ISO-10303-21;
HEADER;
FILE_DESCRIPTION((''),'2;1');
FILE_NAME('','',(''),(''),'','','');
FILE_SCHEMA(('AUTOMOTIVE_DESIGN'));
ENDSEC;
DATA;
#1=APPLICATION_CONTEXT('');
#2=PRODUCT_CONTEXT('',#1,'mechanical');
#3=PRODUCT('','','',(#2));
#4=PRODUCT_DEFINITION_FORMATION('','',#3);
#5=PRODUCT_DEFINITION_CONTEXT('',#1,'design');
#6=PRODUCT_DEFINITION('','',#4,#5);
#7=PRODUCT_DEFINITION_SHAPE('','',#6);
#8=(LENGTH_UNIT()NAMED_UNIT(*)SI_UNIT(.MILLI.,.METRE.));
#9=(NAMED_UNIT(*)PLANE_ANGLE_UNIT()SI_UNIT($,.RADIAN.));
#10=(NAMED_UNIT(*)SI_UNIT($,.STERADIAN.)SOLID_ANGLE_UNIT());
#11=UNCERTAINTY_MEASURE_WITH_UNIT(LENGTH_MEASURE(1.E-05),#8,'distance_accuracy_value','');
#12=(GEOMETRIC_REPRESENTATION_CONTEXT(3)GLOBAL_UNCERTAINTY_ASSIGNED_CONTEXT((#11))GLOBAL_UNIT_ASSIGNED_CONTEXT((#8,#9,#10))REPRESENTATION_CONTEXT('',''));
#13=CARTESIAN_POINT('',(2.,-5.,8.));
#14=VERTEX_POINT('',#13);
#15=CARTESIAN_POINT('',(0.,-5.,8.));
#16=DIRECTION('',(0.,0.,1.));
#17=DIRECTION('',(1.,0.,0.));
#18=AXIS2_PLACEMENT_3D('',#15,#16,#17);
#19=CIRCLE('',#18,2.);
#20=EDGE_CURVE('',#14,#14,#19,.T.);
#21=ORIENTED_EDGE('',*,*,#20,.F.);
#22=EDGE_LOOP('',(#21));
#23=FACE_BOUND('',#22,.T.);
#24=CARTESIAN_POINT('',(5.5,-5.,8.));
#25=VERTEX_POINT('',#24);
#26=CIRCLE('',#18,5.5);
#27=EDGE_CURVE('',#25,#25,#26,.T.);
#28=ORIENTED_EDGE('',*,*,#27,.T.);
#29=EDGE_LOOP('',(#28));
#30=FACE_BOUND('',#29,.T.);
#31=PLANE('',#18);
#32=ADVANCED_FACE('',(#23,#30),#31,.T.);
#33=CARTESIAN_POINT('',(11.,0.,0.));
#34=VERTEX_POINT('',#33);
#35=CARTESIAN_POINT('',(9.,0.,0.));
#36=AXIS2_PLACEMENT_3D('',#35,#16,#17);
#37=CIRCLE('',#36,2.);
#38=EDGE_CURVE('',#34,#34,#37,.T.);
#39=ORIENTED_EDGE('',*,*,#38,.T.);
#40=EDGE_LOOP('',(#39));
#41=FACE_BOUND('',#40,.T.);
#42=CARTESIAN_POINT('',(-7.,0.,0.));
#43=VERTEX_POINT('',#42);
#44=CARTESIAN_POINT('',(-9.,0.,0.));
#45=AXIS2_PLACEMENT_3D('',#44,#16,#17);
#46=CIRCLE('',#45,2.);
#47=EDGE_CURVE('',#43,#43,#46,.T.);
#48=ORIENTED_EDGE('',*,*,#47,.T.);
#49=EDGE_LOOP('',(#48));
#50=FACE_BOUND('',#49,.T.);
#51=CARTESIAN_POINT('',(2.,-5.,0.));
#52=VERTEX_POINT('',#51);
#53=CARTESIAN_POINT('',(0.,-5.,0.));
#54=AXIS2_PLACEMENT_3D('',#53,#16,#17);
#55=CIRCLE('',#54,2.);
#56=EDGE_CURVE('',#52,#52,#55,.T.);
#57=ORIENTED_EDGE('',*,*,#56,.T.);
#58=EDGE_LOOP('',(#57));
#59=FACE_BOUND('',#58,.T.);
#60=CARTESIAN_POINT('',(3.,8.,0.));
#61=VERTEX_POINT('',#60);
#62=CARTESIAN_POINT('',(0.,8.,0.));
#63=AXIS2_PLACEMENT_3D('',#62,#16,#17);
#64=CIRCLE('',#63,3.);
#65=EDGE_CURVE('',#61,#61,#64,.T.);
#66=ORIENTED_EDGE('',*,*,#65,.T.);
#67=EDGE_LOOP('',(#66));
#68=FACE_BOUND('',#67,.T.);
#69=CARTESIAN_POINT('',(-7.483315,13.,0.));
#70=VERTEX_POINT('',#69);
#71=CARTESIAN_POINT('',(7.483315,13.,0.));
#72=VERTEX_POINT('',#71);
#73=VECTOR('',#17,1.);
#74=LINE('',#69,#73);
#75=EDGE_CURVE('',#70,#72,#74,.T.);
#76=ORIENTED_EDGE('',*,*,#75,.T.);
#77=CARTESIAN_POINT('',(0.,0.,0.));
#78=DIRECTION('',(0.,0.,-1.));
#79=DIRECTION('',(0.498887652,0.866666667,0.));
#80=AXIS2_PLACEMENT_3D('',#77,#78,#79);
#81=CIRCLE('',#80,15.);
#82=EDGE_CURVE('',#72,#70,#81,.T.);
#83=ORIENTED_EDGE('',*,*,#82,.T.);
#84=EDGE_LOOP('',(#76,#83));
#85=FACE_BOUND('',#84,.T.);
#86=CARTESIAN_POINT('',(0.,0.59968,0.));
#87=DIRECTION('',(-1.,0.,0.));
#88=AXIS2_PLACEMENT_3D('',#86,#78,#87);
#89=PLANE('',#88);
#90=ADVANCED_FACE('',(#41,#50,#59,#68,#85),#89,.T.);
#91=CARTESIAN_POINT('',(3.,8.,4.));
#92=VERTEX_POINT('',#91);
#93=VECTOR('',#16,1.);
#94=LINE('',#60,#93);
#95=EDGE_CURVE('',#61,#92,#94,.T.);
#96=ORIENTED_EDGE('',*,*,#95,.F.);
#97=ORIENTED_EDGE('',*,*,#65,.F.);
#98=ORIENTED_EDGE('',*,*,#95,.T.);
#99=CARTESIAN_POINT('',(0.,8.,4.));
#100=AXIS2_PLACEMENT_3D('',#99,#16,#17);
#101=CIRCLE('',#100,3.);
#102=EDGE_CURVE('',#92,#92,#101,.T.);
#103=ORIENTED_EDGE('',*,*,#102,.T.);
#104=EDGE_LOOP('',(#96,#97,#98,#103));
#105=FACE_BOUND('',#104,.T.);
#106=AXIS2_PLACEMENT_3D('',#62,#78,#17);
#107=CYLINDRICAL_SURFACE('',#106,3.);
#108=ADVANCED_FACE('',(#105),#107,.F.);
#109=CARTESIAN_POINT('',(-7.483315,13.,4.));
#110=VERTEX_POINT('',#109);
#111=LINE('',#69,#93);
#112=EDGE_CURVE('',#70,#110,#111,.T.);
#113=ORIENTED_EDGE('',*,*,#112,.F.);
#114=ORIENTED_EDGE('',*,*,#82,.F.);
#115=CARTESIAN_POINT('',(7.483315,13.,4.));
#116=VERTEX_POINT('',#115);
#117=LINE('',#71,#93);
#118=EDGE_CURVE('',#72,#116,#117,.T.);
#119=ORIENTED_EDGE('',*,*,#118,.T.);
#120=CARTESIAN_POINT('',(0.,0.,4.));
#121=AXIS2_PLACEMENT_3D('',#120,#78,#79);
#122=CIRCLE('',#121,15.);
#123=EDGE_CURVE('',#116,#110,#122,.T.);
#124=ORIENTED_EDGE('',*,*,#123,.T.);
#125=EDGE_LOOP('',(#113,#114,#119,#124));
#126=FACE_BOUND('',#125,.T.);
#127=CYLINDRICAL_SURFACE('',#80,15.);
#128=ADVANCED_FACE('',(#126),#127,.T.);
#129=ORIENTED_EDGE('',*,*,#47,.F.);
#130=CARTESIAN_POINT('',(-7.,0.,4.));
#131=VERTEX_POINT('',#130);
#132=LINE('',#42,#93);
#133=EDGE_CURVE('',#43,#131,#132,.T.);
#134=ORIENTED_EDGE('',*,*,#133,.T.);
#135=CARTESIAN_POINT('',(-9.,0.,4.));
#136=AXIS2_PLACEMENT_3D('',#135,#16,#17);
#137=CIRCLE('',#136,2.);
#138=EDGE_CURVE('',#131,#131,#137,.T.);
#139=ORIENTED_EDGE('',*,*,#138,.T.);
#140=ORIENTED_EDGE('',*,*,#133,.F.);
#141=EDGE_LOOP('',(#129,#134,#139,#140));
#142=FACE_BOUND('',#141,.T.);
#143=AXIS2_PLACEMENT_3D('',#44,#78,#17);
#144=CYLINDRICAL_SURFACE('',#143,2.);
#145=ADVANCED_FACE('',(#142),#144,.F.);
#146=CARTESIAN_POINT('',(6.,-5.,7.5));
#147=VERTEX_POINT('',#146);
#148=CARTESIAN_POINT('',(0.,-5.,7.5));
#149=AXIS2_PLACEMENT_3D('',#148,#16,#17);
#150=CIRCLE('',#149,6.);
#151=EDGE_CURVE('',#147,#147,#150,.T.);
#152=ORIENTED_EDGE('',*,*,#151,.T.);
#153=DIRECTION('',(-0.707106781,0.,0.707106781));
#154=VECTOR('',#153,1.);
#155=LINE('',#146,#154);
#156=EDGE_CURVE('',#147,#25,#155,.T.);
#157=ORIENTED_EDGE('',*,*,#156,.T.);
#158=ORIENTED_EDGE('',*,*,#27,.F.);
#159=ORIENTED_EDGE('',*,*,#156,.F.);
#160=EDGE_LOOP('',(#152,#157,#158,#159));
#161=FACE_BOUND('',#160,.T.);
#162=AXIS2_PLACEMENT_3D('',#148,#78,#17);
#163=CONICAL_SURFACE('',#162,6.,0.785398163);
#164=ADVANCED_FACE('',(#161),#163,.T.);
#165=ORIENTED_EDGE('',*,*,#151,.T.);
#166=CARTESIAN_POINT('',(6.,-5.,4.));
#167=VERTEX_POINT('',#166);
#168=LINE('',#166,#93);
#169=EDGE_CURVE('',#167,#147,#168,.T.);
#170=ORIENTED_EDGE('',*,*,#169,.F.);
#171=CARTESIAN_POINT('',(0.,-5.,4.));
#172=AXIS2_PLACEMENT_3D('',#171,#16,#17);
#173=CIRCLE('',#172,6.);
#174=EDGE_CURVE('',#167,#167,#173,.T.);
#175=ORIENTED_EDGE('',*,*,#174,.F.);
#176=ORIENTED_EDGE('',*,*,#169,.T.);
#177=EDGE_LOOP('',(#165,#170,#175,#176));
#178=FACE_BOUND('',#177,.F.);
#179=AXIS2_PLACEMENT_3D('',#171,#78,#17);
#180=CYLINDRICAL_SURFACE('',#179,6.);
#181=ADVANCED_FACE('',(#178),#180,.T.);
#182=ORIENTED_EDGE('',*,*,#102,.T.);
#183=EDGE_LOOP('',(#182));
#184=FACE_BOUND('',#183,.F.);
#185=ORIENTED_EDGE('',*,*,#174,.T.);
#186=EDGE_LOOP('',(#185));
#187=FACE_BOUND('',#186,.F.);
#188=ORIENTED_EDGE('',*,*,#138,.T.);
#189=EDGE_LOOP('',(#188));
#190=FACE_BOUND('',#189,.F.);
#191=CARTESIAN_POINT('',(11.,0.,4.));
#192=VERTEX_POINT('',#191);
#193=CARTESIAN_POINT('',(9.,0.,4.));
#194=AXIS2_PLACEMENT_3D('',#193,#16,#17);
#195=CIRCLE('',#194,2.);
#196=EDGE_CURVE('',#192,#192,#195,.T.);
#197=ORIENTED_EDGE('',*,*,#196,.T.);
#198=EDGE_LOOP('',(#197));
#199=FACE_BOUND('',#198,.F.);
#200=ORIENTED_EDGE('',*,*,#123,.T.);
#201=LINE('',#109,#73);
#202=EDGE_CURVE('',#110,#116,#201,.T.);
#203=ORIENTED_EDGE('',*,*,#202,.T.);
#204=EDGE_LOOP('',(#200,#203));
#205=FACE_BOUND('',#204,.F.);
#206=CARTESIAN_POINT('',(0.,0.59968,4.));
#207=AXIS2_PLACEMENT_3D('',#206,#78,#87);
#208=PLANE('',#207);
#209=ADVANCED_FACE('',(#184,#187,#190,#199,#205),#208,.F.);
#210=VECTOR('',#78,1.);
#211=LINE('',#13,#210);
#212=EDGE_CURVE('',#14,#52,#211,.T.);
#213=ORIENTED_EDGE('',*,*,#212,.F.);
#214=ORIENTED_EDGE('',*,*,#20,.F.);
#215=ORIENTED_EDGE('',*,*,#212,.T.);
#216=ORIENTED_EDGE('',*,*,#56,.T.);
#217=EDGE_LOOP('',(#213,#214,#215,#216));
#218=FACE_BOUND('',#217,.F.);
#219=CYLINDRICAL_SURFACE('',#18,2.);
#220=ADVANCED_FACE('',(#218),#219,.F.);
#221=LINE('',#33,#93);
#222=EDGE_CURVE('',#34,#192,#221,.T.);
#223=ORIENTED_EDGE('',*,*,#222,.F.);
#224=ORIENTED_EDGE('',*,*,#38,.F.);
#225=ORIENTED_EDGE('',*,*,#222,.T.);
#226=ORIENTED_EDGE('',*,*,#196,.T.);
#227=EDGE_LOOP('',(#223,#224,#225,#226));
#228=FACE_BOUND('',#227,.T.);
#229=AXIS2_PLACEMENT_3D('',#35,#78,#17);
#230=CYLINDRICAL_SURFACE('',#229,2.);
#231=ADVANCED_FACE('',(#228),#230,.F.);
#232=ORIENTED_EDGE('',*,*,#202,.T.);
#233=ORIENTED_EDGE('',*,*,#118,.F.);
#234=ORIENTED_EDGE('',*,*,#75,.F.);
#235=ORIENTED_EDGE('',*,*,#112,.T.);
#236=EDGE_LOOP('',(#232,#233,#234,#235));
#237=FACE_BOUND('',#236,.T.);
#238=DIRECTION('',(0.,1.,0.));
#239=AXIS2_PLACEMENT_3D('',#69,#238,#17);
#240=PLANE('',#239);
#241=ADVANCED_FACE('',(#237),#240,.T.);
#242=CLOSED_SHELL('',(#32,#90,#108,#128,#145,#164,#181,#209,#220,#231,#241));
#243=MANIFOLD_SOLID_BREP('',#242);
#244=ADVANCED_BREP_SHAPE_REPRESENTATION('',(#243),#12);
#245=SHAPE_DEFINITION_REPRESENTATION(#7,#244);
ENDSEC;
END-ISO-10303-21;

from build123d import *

# Parameters (mm, degrees)
SKETCH1_R           = 3
SKETCH1_R_2         = 2
BOSS_EXTRUDE1_DEPTH = 4
SKETCH2_R           = 6
BOSS_EXTRUDE2_DEPTH = 4
SKETCH3_R           = 2
CUT_EXTRUDE1_DEPTH  = 9
CHAMFER1_SIZE       = 0.5


with BuildPart() as part:
    # Sketch1 → Boss-Extrude1 (new body)
    with BuildSketch(Plane.XY):
        with BuildLine():
            Line((-7.483314774, 13), (7.483314774, 13))
            ThreePointArc((7.483314774, 13), (0, -15), (-7.483314774, 13))
        make_face()
        with Locations((0, 8)):
            Circle(SKETCH1_R, mode=Mode.SUBTRACT)
        with Locations((-9, 0)):
            Circle(SKETCH1_R_2, mode=Mode.SUBTRACT)
        with Locations((9, 0)):
            Circle(SKETCH1_R_2, mode=Mode.SUBTRACT)
    extrude(amount=BOSS_EXTRUDE1_DEPTH)

    # Sketch2 → Boss-Extrude2 (add)
    with BuildSketch(Plane.XY.offset(4)):
        with Locations((0, -5)):
            Circle(SKETCH2_R)
    extrude(amount=BOSS_EXTRUDE2_DEPTH)

    # Sketch3 → Cut-Extrude1 (cut, through all)
    with BuildSketch(Plane.XY.offset(8)):
        with Locations((0, -5)):
            Circle(SKETCH3_R)
    extrude(amount=-CUT_EXTRUDE1_DEPTH, mode=Mode.SUBTRACT)

    # Chamfer1
    chamfer1_edges = [part.edges().sort_by_distance(p)[0] for p in [
        (-6, -5, 8),
    ]]
    chamfer(chamfer1_edges, length=CHAMFER1_SIZE)


solid = part.part
